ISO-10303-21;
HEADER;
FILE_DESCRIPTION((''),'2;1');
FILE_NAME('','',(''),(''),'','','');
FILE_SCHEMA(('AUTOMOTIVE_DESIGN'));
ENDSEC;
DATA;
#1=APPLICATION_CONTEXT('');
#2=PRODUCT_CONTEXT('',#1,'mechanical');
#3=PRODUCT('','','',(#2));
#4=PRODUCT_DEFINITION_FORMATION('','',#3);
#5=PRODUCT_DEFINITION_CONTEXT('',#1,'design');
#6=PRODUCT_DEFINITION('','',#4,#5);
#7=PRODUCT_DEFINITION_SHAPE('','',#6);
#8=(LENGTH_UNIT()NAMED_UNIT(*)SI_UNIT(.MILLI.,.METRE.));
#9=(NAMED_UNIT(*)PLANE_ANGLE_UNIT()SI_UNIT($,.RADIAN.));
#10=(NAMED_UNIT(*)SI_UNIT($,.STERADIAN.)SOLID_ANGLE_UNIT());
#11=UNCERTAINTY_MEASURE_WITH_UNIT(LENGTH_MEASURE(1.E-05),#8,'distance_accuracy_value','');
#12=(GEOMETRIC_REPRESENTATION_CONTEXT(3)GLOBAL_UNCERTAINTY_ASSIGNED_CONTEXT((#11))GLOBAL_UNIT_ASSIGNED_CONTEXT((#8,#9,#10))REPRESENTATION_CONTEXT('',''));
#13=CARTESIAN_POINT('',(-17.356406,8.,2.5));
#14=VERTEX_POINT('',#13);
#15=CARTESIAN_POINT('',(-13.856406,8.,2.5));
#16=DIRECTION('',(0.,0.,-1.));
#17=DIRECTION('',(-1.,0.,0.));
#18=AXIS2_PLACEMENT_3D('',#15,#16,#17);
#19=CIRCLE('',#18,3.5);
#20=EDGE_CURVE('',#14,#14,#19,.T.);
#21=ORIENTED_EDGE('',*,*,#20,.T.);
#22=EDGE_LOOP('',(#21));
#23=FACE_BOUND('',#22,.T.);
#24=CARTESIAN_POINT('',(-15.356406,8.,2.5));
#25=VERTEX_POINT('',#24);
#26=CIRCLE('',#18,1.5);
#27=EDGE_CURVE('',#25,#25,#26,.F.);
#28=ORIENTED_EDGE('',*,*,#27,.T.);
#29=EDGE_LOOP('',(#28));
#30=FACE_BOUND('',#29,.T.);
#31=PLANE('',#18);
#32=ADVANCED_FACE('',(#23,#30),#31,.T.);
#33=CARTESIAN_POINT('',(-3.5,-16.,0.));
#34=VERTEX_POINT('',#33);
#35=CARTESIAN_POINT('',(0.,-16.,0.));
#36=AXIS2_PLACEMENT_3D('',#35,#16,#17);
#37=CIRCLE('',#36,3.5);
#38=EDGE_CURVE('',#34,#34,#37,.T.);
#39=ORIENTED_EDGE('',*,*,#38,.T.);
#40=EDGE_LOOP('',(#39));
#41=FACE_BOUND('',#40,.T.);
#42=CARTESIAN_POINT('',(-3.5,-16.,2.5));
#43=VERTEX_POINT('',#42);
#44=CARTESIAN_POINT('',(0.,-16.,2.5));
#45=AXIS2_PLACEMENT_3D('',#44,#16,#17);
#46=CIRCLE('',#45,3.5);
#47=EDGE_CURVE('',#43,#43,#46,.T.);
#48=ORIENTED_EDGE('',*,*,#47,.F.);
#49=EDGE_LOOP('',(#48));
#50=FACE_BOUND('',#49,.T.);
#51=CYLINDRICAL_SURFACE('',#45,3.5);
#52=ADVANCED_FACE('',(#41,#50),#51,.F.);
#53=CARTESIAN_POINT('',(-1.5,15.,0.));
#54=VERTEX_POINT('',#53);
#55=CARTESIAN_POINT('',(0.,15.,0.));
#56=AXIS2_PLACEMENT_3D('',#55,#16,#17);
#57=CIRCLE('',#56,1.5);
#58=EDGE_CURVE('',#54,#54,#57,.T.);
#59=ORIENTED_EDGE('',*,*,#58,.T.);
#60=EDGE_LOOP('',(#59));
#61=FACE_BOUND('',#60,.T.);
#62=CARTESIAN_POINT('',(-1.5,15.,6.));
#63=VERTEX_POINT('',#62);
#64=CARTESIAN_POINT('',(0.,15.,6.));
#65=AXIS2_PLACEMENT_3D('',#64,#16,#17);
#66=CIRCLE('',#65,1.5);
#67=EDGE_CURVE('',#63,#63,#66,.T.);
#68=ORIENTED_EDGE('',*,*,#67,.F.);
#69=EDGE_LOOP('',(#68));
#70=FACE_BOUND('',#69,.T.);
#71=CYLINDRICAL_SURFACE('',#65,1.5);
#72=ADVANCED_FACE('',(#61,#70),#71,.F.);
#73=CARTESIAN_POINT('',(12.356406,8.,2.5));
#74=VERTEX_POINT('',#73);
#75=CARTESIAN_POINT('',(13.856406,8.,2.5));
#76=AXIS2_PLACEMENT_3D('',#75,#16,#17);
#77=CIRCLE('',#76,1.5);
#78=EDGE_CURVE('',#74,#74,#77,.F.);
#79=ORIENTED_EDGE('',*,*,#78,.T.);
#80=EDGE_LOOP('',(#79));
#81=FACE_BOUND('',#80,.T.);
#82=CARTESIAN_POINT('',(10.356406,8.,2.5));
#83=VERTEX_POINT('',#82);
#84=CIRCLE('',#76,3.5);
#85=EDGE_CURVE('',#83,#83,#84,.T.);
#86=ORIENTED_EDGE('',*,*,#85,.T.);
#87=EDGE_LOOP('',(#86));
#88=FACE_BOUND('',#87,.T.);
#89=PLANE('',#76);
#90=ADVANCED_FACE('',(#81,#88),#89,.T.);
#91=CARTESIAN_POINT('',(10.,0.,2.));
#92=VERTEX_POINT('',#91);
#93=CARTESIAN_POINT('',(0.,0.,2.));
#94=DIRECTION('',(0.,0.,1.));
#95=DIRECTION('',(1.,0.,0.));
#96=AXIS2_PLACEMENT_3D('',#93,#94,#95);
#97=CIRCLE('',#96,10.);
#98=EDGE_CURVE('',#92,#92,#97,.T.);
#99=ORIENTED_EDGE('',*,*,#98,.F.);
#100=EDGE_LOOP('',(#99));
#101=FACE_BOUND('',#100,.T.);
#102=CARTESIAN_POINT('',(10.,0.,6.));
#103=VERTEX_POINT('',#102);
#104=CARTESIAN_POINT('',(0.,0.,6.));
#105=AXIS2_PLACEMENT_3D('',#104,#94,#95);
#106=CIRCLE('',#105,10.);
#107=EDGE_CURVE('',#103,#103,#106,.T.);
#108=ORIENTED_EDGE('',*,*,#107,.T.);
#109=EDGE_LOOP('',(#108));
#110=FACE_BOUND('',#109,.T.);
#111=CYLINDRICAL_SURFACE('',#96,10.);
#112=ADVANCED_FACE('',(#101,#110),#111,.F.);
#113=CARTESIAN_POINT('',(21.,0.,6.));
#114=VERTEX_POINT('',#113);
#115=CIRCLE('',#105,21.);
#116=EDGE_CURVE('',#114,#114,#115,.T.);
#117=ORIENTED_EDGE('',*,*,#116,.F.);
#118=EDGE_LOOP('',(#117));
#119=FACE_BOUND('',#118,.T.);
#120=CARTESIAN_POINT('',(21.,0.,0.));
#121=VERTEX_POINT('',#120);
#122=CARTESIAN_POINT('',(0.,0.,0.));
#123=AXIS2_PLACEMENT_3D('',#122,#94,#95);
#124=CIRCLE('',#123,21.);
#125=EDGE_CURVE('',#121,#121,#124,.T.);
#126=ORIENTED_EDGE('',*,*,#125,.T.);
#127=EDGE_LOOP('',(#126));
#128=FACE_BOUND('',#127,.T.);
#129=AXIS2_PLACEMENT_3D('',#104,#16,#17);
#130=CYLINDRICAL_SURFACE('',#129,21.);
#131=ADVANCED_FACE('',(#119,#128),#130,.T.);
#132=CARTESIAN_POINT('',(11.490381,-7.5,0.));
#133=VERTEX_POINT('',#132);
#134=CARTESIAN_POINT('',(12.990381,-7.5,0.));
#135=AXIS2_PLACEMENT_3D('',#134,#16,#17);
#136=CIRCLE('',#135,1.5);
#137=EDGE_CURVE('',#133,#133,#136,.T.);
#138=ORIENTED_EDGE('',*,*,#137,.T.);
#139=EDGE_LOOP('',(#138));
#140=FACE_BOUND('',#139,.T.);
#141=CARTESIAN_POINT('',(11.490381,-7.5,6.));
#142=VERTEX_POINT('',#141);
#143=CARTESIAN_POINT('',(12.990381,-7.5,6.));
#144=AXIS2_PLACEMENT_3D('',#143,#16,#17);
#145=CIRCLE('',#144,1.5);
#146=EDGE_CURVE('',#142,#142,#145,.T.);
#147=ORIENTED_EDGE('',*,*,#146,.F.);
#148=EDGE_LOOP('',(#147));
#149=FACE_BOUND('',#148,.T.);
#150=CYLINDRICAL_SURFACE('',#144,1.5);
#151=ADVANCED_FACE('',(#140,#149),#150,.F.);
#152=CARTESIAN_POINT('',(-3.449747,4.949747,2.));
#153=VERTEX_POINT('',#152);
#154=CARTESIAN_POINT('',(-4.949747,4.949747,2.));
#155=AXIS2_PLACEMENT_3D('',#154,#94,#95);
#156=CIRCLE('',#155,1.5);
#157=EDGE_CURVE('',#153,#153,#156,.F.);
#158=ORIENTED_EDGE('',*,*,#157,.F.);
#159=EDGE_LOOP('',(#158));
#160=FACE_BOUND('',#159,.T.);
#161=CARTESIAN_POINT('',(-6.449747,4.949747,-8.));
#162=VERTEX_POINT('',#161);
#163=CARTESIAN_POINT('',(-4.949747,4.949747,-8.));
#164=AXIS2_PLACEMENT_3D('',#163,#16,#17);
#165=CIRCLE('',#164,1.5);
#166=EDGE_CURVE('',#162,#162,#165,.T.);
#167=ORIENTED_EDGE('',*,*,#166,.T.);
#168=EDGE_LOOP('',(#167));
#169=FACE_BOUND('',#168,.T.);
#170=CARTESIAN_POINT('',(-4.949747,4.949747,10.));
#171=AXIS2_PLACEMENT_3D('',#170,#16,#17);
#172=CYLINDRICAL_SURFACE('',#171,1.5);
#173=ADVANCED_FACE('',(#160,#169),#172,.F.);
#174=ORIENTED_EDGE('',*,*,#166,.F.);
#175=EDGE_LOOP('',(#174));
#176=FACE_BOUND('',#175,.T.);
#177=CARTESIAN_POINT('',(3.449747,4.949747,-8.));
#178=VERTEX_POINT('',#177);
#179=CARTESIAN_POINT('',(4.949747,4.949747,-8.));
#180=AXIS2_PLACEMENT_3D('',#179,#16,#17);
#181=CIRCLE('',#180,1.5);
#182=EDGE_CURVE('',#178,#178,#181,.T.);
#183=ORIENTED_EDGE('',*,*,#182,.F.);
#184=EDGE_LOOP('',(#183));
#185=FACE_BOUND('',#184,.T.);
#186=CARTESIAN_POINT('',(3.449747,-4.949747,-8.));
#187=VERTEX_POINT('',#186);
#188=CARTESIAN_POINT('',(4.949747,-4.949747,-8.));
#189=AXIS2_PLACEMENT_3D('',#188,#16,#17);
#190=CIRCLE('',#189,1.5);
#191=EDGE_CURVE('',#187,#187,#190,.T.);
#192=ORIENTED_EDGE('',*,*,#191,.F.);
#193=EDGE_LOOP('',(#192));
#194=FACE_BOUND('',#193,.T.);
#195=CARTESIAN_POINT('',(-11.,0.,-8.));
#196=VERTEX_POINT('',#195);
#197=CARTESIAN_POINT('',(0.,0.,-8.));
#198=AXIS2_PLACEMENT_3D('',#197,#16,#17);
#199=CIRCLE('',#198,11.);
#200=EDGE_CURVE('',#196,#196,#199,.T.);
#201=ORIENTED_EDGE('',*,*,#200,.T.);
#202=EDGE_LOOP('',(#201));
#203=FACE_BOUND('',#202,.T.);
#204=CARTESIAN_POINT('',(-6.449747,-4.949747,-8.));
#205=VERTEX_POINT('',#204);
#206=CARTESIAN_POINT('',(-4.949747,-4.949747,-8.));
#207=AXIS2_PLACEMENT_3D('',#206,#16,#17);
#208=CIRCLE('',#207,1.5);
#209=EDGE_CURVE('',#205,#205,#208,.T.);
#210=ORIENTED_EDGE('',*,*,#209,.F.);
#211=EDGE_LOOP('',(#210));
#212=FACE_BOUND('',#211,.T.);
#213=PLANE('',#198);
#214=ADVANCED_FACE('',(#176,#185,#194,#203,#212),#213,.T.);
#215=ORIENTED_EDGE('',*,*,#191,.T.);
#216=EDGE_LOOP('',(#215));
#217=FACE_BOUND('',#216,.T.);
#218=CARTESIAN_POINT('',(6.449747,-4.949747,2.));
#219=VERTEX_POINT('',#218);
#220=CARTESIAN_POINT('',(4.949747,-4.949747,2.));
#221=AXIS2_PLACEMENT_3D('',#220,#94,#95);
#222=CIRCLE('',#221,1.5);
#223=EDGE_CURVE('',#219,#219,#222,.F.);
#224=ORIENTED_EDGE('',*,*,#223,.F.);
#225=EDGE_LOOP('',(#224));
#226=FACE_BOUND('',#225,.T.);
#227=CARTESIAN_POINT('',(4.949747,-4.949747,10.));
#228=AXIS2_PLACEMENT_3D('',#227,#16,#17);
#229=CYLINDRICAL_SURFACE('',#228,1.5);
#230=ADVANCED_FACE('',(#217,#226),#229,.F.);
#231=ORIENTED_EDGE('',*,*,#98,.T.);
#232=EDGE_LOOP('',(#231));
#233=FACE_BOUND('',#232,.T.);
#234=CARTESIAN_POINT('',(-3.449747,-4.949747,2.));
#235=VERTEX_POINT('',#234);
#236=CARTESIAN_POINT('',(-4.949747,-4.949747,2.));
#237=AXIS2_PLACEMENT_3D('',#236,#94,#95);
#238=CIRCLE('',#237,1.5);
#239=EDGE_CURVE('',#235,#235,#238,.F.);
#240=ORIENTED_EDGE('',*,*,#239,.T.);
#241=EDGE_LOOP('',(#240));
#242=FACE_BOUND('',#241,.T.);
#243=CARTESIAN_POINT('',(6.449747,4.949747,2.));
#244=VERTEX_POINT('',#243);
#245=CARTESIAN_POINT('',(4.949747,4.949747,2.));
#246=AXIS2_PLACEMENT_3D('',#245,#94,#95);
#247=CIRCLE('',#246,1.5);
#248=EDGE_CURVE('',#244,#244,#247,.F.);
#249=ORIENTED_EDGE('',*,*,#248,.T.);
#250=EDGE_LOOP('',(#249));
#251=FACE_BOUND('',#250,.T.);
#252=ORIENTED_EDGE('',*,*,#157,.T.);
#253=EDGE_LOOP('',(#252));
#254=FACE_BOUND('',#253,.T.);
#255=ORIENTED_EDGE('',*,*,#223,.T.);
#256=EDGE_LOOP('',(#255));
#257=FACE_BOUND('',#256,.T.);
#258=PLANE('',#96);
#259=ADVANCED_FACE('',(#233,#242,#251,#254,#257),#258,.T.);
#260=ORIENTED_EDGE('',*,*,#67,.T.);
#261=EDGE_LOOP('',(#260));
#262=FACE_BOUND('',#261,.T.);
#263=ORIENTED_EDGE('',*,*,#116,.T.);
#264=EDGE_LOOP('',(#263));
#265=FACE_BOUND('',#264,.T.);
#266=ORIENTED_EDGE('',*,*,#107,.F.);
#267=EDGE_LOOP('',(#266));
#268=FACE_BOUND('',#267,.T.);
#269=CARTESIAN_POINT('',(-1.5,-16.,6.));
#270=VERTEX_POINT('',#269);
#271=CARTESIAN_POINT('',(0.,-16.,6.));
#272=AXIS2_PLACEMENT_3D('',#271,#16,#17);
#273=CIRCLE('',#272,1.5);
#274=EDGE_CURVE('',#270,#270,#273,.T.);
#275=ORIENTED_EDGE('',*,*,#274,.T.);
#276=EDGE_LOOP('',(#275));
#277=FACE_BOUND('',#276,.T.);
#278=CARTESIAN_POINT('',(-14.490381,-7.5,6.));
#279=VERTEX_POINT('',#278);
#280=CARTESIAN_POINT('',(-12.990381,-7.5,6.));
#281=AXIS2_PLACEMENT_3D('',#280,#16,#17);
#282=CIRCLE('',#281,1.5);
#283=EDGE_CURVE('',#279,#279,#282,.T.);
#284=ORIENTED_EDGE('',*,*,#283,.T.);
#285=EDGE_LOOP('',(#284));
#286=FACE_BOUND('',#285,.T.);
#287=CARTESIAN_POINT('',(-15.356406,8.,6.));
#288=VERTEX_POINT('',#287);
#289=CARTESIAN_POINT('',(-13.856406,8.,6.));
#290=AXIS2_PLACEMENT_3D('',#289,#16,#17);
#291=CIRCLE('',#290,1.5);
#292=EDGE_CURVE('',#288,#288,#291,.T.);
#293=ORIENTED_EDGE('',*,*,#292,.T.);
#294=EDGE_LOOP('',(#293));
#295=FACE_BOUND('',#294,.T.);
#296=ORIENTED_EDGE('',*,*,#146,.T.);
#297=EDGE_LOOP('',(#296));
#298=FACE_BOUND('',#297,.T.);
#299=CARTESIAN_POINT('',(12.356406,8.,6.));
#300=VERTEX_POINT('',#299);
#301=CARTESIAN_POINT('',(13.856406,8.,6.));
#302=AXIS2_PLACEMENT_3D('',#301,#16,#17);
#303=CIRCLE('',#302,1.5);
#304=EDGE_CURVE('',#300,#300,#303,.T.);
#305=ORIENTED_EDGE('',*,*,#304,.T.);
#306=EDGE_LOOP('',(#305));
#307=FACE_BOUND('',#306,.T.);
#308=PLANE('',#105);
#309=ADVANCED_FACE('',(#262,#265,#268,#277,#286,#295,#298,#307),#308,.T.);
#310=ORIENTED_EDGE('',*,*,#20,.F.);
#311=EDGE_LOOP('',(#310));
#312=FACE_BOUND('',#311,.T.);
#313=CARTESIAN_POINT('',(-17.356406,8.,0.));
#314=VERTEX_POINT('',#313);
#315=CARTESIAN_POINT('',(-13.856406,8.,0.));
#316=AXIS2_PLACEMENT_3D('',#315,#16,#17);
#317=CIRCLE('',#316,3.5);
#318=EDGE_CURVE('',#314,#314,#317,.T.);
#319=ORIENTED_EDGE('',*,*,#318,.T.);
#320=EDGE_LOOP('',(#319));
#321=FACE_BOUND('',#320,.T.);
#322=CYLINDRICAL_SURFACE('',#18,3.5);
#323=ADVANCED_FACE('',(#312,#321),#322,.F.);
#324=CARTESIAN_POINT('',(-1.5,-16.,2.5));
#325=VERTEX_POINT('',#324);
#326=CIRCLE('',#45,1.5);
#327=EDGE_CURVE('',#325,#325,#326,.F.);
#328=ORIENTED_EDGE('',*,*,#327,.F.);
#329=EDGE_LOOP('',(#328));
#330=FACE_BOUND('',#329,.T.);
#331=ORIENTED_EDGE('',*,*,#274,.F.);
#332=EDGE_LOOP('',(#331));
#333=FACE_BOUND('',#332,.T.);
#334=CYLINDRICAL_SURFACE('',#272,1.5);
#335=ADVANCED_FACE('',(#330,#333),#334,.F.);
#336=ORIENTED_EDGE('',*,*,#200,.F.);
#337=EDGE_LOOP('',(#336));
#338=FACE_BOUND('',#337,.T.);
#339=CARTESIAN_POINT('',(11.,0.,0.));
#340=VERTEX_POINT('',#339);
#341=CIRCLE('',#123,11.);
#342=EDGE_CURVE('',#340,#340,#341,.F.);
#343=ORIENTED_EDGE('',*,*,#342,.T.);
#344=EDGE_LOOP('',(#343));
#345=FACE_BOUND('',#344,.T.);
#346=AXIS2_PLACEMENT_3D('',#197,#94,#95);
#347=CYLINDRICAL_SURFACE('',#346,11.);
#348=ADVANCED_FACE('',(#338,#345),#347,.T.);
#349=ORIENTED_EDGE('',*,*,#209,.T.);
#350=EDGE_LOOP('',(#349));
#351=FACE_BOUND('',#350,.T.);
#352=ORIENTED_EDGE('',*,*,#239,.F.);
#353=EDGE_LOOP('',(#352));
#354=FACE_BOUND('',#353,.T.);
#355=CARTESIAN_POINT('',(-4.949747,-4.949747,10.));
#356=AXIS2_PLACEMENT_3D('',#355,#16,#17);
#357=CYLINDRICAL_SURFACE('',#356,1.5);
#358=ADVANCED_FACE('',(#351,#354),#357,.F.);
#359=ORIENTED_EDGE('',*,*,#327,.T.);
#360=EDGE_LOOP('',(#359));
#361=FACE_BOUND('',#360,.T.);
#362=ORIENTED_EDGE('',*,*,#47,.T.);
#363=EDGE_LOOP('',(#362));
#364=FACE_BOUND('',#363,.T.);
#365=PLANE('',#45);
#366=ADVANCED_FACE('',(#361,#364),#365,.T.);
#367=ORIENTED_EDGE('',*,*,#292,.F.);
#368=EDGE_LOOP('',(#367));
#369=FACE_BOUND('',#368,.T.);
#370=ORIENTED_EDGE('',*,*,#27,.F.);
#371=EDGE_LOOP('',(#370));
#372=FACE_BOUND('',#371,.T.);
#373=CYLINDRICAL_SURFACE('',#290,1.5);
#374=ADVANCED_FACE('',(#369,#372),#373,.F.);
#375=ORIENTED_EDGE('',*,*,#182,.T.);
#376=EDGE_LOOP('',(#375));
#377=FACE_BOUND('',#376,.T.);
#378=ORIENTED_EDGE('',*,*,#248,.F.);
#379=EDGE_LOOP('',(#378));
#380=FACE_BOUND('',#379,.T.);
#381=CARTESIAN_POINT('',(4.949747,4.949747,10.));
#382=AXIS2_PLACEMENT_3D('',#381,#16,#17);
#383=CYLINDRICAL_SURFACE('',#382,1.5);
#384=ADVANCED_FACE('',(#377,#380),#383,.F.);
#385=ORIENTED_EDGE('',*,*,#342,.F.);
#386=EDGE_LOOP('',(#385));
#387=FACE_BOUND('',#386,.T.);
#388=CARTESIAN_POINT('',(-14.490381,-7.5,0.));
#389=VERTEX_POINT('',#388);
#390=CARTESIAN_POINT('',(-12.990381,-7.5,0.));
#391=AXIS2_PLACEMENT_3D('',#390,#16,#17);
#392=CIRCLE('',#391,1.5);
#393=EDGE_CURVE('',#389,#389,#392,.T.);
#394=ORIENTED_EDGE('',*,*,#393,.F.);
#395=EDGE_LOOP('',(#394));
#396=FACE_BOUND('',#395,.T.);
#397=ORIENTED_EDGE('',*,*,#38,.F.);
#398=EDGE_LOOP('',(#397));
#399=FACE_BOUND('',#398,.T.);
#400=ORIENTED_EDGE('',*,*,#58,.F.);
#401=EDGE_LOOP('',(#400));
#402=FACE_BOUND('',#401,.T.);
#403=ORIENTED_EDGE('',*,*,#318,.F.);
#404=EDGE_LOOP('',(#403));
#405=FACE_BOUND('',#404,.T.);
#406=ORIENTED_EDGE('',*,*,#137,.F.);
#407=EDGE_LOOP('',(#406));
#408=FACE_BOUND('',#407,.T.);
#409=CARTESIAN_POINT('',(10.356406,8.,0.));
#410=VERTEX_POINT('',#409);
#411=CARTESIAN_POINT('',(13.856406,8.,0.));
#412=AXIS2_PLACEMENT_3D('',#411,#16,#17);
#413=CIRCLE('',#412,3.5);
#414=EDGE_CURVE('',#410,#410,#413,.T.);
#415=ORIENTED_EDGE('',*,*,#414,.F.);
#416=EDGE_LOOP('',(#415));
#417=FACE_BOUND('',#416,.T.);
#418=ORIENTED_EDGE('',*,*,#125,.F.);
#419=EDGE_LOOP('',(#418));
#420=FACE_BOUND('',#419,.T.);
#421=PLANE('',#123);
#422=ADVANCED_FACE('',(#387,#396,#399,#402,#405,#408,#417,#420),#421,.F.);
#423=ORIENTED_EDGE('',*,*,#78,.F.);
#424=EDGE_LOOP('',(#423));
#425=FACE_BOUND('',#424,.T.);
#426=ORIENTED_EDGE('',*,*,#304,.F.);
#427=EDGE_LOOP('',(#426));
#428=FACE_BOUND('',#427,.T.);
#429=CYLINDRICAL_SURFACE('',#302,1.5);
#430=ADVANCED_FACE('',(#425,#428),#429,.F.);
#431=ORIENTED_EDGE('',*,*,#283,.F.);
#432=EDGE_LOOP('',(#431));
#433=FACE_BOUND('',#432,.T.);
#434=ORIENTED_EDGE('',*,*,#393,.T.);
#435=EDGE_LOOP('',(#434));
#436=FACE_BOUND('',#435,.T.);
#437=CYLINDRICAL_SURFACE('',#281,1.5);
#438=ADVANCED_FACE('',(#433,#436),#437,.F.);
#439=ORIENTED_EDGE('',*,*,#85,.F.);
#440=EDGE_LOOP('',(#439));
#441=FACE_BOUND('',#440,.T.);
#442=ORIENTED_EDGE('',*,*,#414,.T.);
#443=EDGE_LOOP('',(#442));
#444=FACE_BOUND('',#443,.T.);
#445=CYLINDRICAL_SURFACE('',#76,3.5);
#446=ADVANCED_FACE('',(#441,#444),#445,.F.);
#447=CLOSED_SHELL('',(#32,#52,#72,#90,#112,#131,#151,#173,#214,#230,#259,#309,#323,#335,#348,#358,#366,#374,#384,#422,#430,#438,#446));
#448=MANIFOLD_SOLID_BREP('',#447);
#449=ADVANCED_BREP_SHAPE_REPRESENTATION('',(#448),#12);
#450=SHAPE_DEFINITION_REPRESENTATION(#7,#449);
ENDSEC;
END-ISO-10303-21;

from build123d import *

# Parameters (mm, degrees)
SKETCH1_R           = 21
BOSS_EXTRUDE1_DEPTH = 6
SKETCH6_R           = 1.5
CUT_EXTRUDE2_DEPTH  = 6
SKETCH10_R          = 11
BOSS_EXTRUDE3_DEPTH = 8
SKETCH8_R           = 1.5
CUT_EXTRUDE3_DEPTH  = 10
SKETCH12_R          = 10
CUT_EXTRUDE5_DEPTH  = 4
SKETCH13_R          = 3.5
CUT_EXTRUDE6_DEPTH  = 2.5


with BuildPart() as part:
    # Sketch1 → Boss-Extrude1 (new body)
    with BuildSketch(Plane.XY):
        Circle(SKETCH1_R)
    extrude(amount=BOSS_EXTRUDE1_DEPTH)

    # Sketch6 → Cut-Extrude2 (cut)
    with BuildSketch(Plane(origin=(0, 0, 0), x_dir=(-1, 0, 0), z_dir=(0, 0, -1))):
        with Locations((0, 15)):
            Circle(SKETCH6_R)
        with Locations((12.990381057, -7.5)):
            Circle(SKETCH6_R)
        with Locations((-12.990381057, -7.5)):
            Circle(SKETCH6_R)
        with Locations((13.856406461, 8)):
            Circle(SKETCH6_R)
        with Locations((0, -16)):
            Circle(SKETCH6_R)
        with Locations((-13.856406461, 8)):
            Circle(SKETCH6_R)
    extrude(amount=-CUT_EXTRUDE2_DEPTH, mode=Mode.SUBTRACT)

    # Sketch10 → Boss-Extrude3 (add)
    with BuildSketch(Plane(origin=(0, 0, 0), x_dir=(-1, 0, 0), z_dir=(0, 0, -1))):
        with Locations(Location((0, 0, 0), (0, 0, 180))):
            Circle(SKETCH10_R)
    extrude(amount=BOSS_EXTRUDE3_DEPTH)

    # Sketch8 → Cut-Extrude3 (cut, symmetric)
    with BuildSketch(Plane(origin=(0, 0, 0), x_dir=(-1, 0, 0), z_dir=(0, 0, -1))):
        with Locations((-4.949747468, 4.949747468)):
            Circle(SKETCH8_R)
        with Locations((4.949747468, 4.949747468)):
            Circle(SKETCH8_R)
        with Locations((4.949747468, -4.949747468)):
            Circle(SKETCH8_R)
        with Locations((-4.949747468, -4.949747468)):
            Circle(SKETCH8_R)
    extrude(amount=CUT_EXTRUDE3_DEPTH, both=True, mode=Mode.SUBTRACT)

    # Sketch12 → Cut-Extrude5 (cut)
    with BuildSketch(Plane.XY.offset(6)):
        Circle(SKETCH12_R)
    extrude(amount=-CUT_EXTRUDE5_DEPTH, mode=Mode.SUBTRACT)

    # Sketch13 → Cut-Extrude6 (cut)
    with BuildSketch(Plane(origin=(0, 0, 0), x_dir=(-1, 0, 0), z_dir=(0, 0, -1))):
        with Locations((-13.856406461, 8)):
            Circle(SKETCH13_R)
        with Locations((13.856406461, 8)):
            Circle(SKETCH13_R)
        with Locations((0, -16)):
            Circle(SKETCH13_R)
    extrude(amount=-CUT_EXTRUDE6_DEPTH, mode=Mode.SUBTRACT)


solid = part.part
